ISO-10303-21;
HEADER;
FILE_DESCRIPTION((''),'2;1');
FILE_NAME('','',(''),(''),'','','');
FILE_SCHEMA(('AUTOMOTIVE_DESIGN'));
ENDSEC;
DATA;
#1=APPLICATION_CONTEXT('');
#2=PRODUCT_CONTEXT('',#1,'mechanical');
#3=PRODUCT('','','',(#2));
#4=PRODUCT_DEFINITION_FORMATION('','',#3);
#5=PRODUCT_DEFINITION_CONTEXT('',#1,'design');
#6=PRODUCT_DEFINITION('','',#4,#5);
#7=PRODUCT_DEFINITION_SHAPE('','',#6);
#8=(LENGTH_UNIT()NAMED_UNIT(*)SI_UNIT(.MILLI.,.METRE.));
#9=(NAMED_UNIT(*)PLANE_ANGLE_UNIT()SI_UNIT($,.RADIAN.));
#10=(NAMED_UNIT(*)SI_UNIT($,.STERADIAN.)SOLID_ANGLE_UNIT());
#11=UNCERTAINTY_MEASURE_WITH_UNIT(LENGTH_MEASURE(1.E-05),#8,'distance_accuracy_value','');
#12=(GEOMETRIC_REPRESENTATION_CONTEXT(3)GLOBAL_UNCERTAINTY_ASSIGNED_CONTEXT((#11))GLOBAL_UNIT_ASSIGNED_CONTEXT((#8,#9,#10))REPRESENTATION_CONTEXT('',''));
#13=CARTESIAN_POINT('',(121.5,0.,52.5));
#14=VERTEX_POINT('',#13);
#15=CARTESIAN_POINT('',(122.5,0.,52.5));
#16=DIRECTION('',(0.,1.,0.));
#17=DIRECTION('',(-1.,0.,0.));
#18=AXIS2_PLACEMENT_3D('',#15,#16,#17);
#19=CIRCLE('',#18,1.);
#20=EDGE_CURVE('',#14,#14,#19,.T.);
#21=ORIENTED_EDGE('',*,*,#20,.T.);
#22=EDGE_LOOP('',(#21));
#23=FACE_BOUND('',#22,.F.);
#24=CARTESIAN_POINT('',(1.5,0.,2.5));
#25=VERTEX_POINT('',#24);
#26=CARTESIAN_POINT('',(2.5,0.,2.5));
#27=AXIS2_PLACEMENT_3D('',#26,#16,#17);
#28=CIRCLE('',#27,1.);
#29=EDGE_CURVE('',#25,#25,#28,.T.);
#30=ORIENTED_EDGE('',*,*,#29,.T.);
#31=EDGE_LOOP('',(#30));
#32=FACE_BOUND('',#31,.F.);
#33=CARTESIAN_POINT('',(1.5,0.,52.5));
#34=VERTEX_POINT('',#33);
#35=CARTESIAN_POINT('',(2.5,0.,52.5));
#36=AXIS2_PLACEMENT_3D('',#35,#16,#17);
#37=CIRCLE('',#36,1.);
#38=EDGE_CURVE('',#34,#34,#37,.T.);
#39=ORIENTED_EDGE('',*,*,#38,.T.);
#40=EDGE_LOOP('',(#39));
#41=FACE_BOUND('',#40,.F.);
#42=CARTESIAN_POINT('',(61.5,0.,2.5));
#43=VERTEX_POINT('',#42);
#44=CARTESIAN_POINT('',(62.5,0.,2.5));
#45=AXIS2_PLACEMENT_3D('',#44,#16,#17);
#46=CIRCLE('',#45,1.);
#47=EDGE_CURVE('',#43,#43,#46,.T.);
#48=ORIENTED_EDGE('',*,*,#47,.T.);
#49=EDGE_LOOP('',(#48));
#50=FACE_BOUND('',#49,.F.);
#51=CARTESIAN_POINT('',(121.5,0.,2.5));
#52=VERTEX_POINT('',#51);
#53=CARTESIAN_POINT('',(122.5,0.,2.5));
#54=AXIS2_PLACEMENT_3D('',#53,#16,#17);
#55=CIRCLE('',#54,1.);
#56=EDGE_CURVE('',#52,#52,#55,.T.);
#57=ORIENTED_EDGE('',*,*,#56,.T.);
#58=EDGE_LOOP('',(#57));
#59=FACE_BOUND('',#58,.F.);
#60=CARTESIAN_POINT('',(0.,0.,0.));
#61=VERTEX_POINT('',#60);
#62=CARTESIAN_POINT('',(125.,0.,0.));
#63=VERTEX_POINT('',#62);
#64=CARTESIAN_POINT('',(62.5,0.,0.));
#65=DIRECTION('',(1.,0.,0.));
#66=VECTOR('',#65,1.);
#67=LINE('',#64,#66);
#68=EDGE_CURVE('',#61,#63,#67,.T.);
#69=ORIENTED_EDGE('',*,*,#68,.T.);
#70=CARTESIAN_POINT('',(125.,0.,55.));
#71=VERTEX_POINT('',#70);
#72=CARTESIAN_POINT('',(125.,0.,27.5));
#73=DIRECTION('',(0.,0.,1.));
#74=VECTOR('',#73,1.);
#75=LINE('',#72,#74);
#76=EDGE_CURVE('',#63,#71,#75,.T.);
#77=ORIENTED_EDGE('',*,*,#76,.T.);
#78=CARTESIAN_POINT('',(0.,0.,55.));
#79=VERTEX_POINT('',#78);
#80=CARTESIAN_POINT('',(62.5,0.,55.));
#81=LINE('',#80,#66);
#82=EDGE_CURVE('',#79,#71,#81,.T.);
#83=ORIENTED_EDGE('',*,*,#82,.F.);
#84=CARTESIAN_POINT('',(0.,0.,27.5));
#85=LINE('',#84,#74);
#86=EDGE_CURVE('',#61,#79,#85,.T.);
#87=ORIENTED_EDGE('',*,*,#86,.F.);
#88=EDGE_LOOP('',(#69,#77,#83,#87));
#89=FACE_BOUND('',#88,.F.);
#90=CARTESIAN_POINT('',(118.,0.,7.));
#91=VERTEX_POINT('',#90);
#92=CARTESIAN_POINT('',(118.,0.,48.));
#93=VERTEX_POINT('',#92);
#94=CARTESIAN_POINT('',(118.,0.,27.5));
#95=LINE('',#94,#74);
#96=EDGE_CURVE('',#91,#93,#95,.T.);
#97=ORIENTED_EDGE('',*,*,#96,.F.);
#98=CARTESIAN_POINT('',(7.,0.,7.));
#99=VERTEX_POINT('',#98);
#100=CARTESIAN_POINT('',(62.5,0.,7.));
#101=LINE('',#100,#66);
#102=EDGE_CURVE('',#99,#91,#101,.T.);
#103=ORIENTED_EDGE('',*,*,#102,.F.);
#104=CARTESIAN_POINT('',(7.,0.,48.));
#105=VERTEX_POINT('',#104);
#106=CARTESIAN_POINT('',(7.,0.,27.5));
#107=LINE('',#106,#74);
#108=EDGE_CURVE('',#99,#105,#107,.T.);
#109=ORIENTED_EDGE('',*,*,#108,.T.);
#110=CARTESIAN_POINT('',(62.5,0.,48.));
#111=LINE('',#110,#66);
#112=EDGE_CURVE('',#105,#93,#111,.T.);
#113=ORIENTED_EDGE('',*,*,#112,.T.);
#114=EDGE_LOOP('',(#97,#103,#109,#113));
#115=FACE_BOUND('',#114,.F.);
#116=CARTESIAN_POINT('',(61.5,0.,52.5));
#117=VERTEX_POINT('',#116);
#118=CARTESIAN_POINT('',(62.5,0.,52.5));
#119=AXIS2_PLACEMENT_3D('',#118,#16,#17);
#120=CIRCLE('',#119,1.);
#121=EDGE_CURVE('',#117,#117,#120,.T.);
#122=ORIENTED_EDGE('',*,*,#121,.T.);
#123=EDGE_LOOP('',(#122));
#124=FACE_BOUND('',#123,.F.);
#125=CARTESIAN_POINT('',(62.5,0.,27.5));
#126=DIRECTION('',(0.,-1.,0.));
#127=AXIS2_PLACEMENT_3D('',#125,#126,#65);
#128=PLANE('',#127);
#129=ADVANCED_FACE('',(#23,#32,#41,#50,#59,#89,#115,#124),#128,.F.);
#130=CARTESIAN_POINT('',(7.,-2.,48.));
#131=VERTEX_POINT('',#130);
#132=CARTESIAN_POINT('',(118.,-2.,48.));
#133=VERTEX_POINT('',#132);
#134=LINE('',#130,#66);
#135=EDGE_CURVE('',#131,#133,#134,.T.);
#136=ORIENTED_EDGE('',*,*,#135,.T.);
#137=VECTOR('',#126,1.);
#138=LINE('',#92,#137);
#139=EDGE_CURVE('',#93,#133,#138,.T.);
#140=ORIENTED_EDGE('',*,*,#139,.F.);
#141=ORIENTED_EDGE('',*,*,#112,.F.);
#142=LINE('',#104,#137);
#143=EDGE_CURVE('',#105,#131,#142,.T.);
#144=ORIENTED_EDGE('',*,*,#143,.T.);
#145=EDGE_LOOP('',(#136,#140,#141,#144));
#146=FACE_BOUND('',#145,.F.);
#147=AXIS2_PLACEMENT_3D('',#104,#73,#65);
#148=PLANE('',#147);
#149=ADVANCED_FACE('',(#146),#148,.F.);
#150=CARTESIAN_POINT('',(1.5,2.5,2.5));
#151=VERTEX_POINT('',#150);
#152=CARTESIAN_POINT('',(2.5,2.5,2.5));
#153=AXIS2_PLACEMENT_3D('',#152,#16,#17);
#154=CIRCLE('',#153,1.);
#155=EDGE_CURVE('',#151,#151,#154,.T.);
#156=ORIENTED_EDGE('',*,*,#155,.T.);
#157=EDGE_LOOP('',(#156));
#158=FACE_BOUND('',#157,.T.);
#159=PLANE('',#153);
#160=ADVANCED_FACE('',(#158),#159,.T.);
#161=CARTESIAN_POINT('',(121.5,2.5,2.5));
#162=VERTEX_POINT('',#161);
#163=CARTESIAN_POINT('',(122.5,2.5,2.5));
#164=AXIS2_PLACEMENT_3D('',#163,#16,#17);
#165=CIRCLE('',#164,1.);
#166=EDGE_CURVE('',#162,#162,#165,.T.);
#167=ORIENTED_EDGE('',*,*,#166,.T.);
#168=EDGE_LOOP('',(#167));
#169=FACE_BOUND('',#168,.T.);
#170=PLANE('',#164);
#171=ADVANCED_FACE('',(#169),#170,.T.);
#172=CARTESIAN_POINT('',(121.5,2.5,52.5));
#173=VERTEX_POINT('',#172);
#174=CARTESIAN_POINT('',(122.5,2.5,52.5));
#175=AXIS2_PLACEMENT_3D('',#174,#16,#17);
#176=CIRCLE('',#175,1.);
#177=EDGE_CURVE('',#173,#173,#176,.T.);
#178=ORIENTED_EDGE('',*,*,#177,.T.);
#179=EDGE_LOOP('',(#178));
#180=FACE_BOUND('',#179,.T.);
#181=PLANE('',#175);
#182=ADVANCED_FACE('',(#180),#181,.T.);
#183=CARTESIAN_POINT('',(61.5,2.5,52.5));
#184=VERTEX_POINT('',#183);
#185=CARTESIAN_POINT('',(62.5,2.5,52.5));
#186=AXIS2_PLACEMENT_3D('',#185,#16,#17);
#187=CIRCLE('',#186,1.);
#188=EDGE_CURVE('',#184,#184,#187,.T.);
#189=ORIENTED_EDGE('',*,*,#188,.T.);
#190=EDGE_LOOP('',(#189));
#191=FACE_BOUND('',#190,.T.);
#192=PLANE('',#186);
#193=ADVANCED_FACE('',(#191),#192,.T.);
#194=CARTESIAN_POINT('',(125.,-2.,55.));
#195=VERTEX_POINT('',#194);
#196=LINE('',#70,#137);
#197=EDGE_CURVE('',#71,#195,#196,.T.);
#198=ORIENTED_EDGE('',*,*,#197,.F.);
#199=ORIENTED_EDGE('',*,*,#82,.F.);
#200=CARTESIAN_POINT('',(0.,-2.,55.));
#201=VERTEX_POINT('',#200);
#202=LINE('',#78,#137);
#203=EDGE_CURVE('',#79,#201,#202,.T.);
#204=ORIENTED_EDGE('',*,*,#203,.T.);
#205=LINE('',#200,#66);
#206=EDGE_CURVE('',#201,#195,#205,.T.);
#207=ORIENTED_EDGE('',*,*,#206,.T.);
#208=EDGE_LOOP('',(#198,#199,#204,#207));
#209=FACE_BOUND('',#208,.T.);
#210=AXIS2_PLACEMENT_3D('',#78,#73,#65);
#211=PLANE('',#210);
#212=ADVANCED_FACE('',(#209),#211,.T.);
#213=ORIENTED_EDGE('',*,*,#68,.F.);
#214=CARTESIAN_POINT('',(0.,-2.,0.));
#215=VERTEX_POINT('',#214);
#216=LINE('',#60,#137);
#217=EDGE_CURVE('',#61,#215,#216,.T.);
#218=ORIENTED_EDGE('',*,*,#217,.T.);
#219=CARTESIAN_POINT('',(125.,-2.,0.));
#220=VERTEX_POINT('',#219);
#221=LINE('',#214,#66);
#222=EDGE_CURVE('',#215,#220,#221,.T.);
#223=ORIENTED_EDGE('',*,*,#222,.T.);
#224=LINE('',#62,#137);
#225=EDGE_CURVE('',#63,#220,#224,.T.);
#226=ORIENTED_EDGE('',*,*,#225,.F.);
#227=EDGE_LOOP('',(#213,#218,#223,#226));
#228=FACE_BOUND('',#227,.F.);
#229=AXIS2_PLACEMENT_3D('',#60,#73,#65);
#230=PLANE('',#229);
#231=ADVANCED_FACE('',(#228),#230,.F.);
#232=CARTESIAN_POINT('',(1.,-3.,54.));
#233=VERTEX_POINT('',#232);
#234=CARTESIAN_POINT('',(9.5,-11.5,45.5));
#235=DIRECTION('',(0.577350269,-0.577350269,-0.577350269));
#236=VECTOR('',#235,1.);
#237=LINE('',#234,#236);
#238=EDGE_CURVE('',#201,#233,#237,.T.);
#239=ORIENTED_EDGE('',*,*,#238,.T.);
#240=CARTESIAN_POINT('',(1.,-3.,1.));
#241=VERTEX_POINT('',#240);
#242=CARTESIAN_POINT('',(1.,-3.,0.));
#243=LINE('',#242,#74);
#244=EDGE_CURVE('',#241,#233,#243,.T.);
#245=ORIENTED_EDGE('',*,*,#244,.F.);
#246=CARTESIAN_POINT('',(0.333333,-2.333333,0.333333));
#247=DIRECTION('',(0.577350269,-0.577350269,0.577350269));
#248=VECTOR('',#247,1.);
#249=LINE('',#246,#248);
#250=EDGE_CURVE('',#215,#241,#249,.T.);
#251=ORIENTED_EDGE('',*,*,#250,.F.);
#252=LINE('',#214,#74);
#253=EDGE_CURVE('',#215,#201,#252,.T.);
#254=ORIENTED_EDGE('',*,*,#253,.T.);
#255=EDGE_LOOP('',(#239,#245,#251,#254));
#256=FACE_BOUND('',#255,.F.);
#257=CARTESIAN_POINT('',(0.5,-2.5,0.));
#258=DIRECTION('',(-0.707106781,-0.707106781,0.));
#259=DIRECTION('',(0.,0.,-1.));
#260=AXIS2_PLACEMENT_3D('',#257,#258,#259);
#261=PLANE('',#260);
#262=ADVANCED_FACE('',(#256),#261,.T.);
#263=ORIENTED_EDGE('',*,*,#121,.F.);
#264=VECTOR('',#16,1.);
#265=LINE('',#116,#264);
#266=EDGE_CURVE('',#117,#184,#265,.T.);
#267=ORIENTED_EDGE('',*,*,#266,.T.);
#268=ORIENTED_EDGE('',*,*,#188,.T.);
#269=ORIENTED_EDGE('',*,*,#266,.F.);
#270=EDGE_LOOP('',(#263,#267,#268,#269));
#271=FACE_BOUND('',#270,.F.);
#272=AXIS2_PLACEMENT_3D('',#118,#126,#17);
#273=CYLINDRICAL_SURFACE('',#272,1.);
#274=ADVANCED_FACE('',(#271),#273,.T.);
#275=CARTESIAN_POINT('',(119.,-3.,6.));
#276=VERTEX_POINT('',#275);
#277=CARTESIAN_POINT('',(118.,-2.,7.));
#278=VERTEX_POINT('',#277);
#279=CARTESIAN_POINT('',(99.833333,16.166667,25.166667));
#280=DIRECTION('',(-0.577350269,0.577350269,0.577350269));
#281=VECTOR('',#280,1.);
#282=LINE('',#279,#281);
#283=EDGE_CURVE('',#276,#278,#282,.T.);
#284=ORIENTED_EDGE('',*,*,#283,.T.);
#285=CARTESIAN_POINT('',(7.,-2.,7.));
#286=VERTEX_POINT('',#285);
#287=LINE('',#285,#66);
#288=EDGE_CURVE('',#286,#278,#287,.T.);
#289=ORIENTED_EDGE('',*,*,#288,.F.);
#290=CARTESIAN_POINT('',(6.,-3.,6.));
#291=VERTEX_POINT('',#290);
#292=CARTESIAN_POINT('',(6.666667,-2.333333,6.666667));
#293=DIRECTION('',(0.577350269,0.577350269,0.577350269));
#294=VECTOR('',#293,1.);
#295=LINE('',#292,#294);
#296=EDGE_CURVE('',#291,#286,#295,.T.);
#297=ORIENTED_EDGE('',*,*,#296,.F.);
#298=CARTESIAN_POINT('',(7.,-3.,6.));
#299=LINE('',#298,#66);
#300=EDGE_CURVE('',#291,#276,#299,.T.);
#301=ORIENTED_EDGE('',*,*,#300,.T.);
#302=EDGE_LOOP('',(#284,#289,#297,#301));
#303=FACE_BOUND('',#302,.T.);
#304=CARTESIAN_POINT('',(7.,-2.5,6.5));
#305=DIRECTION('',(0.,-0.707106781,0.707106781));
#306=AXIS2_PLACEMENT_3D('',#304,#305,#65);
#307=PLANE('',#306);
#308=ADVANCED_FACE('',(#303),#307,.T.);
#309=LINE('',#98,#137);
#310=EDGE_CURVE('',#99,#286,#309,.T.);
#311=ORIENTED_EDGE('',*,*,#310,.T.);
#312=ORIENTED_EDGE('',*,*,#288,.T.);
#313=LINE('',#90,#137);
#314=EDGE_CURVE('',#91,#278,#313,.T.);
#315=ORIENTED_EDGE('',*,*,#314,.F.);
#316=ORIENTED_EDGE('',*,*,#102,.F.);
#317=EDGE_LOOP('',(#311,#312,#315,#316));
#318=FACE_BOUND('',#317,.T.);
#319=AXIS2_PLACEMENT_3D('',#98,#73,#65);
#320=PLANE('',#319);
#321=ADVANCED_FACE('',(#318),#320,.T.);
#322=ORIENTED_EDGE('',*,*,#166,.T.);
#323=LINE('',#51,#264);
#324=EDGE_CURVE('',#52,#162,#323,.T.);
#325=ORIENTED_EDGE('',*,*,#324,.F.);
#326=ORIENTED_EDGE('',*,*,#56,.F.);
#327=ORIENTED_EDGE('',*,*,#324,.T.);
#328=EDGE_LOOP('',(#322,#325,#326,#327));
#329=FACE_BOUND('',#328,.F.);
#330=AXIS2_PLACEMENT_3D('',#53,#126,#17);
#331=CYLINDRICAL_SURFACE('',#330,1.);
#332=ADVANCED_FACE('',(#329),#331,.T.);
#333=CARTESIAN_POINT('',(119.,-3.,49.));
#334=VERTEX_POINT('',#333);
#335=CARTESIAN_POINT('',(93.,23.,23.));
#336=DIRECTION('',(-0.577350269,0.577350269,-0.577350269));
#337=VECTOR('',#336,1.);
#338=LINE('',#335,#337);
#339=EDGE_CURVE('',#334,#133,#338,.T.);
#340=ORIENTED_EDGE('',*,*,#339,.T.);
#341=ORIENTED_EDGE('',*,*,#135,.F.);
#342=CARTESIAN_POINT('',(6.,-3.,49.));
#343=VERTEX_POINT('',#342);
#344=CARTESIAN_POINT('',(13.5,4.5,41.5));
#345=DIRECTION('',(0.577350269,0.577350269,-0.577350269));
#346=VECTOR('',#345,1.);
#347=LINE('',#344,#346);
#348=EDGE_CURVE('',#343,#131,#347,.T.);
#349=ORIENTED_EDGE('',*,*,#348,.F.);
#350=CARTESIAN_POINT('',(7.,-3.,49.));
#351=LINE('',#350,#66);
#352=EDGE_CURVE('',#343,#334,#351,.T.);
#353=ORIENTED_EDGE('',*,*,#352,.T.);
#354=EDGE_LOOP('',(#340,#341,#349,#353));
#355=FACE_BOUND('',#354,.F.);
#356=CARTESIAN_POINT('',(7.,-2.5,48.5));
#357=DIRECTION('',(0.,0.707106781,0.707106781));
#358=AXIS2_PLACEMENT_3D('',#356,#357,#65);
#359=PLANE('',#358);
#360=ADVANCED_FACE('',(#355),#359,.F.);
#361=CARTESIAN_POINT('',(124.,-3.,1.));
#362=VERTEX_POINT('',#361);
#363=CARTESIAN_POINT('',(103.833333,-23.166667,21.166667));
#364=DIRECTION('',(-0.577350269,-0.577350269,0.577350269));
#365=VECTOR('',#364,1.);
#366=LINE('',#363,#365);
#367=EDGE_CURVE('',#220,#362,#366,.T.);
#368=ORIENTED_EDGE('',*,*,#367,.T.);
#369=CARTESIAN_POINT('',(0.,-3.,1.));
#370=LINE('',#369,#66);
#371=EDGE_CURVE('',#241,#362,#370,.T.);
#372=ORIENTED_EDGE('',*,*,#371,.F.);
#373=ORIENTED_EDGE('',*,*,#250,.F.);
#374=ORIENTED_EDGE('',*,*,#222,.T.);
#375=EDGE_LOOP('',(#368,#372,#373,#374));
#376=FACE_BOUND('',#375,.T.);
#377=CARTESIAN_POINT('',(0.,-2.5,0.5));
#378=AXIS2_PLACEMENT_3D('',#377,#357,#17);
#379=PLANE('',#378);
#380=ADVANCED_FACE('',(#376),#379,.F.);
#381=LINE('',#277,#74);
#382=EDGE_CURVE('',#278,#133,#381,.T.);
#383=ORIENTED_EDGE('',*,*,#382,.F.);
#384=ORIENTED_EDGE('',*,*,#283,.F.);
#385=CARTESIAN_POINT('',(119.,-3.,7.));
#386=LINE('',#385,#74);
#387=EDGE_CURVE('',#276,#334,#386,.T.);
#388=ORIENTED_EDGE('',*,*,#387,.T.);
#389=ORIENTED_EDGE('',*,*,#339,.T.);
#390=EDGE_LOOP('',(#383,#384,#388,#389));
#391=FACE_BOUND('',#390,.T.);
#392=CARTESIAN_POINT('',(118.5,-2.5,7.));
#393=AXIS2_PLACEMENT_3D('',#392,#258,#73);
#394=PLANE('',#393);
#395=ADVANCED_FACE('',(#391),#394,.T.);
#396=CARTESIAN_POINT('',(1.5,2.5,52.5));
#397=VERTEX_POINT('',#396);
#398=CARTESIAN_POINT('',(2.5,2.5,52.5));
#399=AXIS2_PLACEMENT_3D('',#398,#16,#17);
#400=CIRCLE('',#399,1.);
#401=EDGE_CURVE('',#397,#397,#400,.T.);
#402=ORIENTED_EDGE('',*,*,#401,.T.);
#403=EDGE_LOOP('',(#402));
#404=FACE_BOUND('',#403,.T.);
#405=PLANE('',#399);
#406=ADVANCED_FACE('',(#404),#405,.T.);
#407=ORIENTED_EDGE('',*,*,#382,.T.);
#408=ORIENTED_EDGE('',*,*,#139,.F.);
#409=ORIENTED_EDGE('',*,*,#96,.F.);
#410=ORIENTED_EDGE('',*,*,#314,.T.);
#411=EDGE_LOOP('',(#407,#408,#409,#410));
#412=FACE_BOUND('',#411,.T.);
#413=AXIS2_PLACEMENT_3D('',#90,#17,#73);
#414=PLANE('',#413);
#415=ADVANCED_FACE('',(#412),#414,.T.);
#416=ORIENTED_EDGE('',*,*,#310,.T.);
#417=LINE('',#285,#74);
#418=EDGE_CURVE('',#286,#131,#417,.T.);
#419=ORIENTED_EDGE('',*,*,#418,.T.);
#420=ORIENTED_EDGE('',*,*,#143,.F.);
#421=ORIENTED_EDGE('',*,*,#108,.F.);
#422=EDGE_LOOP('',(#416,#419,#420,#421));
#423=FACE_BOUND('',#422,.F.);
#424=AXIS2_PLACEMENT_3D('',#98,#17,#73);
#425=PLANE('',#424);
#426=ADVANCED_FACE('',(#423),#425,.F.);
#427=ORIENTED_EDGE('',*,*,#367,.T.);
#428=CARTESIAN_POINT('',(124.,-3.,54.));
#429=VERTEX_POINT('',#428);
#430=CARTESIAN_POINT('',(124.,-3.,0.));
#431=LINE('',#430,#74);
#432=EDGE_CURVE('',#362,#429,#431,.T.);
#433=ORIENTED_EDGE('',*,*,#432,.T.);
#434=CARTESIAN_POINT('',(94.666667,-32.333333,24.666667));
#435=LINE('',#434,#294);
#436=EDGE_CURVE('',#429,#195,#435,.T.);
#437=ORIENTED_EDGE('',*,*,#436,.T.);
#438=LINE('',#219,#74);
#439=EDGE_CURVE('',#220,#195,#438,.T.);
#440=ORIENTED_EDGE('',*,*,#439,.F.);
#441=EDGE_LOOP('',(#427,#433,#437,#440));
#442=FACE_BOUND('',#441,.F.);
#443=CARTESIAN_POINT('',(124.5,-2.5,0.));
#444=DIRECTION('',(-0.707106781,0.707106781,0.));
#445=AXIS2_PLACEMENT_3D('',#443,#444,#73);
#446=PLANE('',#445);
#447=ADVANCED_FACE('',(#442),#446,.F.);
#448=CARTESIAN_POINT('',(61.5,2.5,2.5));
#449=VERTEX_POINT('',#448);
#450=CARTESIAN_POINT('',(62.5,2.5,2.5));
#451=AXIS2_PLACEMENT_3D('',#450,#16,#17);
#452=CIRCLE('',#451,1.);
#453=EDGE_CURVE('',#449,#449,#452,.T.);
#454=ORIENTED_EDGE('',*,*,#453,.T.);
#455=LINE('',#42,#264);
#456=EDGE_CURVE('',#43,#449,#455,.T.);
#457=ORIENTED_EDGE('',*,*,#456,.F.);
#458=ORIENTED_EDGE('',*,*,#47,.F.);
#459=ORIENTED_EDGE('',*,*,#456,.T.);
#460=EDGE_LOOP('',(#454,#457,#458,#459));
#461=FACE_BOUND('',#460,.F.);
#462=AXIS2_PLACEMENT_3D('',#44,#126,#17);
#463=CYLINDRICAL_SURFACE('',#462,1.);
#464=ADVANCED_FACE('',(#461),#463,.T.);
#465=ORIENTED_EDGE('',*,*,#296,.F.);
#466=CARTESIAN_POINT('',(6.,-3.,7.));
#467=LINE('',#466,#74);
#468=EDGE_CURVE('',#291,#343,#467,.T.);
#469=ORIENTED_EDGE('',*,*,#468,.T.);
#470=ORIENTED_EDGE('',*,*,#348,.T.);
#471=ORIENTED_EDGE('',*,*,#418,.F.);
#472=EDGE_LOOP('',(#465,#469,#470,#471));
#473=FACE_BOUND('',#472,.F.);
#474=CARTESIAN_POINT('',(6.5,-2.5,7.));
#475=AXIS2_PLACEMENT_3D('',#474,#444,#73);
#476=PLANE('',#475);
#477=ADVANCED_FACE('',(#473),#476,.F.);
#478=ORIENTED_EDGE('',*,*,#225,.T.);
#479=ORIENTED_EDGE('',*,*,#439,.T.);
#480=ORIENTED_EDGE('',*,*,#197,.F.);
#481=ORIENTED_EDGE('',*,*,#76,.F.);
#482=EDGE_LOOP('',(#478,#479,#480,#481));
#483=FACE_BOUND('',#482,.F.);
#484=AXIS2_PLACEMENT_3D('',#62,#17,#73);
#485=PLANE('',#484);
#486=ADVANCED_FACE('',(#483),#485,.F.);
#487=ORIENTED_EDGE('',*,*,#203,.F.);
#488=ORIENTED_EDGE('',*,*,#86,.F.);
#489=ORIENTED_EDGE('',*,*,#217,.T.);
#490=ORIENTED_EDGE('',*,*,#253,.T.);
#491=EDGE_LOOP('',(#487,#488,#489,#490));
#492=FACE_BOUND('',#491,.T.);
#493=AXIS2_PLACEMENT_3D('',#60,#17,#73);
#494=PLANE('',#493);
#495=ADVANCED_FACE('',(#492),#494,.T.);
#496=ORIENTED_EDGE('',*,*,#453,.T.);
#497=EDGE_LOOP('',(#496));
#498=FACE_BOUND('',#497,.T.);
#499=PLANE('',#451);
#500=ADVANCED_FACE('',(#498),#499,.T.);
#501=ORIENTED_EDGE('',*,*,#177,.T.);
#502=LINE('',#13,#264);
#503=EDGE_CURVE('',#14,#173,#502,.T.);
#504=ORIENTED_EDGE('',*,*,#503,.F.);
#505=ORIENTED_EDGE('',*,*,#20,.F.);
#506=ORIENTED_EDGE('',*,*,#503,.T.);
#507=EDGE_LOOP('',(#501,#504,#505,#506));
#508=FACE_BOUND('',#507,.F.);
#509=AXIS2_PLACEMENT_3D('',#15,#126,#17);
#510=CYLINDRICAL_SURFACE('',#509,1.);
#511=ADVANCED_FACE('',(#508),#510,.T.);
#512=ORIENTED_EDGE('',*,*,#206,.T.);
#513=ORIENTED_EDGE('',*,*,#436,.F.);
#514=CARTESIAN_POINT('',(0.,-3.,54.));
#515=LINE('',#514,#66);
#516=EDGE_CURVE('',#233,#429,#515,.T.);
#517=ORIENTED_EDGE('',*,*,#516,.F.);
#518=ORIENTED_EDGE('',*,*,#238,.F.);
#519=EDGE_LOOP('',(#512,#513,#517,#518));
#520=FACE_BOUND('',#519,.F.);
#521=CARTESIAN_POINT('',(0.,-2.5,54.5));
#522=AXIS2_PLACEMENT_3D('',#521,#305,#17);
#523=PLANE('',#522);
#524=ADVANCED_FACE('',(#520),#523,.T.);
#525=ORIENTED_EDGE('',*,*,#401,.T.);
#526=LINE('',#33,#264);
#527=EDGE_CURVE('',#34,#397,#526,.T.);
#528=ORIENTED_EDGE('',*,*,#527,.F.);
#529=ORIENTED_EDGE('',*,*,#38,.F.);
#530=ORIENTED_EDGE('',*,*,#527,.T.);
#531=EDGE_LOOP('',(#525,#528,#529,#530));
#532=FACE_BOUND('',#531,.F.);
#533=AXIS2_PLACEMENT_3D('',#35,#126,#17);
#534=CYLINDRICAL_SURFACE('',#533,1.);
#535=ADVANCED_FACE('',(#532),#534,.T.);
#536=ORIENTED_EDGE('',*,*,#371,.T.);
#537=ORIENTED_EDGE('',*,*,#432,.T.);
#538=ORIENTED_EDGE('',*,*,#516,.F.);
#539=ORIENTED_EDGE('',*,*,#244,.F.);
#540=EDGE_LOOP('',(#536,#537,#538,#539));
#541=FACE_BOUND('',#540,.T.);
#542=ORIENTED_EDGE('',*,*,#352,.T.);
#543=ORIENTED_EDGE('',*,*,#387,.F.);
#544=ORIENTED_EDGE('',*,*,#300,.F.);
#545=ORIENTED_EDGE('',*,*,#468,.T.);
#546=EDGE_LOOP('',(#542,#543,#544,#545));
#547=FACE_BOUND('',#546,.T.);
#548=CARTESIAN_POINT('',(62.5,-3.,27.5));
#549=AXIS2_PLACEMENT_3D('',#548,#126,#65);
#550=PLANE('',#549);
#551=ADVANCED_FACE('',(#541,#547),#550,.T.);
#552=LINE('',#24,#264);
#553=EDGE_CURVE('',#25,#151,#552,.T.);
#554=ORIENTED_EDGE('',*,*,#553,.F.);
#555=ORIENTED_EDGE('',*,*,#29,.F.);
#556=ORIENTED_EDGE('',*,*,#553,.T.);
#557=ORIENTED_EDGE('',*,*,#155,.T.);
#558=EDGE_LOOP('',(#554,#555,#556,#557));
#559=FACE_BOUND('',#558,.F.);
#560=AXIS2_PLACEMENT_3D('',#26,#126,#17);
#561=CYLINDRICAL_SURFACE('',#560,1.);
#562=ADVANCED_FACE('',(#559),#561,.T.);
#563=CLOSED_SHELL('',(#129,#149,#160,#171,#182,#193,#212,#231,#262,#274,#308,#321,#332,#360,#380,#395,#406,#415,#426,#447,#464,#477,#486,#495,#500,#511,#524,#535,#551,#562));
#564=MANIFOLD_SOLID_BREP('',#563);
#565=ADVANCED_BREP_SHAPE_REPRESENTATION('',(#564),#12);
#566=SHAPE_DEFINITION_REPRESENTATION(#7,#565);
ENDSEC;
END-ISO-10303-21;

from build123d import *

# Parameters (mm, degrees)
F0_W     = 125
F0_H     = 55
F0_W_2   = 111
F0_H_2   = 41
F1_DEPTH = 3
F2_R     = 1
F3_DEPTH = 2.5
F4_SIZE  = 1


with BuildPart() as f1:
    # F0 (on Front) → F1 (new body)
    with BuildSketch(Plane.XZ):
        with Locations((62.5, 27.5)):
            Rectangle(F0_W, F0_H)
        with Locations((62.5, 27.5)):
            Rectangle(F0_W_2, F0_H_2, mode=Mode.SUBTRACT)
    extrude(amount=F1_DEPTH)

    # F2 (on face) → F3 (join)
    with BuildSketch(Plane(origin=(0, 0, 0), x_dir=(-1, 0, 0), z_dir=(0, 1, 0))):
        with Locations((-2.5, 52.5)):
            Circle(F2_R)
        with Locations((-62.5, 2.5)):
            Circle(F2_R)
        with Locations((-122.5, 52.5)):
            Circle(F2_R)
        with Locations((-122.5, 2.5)):
            Circle(F2_R)
        with Locations((-62.5, 52.5)):
            Circle(F2_R)
        with Locations((-2.5, 2.5)):
            Circle(F2_R)
    extrude(amount=F3_DEPTH)

    # F4
    f4_edges = [f1.edges().sort_by_distance(p)[0] for p in [
        (0, -3, 27.5),
        (62.5, -3, 0),
        (125, -3, 27.5),
        (62.5, -3, 55),
        (62.5, -3, 48),
        (118, -3, 27.5),
        (62.5, -3, 7),
        (7, -3, 27.5),
    ]]
    chamfer(f4_edges, length=F4_SIZE)


solid = f1.part
